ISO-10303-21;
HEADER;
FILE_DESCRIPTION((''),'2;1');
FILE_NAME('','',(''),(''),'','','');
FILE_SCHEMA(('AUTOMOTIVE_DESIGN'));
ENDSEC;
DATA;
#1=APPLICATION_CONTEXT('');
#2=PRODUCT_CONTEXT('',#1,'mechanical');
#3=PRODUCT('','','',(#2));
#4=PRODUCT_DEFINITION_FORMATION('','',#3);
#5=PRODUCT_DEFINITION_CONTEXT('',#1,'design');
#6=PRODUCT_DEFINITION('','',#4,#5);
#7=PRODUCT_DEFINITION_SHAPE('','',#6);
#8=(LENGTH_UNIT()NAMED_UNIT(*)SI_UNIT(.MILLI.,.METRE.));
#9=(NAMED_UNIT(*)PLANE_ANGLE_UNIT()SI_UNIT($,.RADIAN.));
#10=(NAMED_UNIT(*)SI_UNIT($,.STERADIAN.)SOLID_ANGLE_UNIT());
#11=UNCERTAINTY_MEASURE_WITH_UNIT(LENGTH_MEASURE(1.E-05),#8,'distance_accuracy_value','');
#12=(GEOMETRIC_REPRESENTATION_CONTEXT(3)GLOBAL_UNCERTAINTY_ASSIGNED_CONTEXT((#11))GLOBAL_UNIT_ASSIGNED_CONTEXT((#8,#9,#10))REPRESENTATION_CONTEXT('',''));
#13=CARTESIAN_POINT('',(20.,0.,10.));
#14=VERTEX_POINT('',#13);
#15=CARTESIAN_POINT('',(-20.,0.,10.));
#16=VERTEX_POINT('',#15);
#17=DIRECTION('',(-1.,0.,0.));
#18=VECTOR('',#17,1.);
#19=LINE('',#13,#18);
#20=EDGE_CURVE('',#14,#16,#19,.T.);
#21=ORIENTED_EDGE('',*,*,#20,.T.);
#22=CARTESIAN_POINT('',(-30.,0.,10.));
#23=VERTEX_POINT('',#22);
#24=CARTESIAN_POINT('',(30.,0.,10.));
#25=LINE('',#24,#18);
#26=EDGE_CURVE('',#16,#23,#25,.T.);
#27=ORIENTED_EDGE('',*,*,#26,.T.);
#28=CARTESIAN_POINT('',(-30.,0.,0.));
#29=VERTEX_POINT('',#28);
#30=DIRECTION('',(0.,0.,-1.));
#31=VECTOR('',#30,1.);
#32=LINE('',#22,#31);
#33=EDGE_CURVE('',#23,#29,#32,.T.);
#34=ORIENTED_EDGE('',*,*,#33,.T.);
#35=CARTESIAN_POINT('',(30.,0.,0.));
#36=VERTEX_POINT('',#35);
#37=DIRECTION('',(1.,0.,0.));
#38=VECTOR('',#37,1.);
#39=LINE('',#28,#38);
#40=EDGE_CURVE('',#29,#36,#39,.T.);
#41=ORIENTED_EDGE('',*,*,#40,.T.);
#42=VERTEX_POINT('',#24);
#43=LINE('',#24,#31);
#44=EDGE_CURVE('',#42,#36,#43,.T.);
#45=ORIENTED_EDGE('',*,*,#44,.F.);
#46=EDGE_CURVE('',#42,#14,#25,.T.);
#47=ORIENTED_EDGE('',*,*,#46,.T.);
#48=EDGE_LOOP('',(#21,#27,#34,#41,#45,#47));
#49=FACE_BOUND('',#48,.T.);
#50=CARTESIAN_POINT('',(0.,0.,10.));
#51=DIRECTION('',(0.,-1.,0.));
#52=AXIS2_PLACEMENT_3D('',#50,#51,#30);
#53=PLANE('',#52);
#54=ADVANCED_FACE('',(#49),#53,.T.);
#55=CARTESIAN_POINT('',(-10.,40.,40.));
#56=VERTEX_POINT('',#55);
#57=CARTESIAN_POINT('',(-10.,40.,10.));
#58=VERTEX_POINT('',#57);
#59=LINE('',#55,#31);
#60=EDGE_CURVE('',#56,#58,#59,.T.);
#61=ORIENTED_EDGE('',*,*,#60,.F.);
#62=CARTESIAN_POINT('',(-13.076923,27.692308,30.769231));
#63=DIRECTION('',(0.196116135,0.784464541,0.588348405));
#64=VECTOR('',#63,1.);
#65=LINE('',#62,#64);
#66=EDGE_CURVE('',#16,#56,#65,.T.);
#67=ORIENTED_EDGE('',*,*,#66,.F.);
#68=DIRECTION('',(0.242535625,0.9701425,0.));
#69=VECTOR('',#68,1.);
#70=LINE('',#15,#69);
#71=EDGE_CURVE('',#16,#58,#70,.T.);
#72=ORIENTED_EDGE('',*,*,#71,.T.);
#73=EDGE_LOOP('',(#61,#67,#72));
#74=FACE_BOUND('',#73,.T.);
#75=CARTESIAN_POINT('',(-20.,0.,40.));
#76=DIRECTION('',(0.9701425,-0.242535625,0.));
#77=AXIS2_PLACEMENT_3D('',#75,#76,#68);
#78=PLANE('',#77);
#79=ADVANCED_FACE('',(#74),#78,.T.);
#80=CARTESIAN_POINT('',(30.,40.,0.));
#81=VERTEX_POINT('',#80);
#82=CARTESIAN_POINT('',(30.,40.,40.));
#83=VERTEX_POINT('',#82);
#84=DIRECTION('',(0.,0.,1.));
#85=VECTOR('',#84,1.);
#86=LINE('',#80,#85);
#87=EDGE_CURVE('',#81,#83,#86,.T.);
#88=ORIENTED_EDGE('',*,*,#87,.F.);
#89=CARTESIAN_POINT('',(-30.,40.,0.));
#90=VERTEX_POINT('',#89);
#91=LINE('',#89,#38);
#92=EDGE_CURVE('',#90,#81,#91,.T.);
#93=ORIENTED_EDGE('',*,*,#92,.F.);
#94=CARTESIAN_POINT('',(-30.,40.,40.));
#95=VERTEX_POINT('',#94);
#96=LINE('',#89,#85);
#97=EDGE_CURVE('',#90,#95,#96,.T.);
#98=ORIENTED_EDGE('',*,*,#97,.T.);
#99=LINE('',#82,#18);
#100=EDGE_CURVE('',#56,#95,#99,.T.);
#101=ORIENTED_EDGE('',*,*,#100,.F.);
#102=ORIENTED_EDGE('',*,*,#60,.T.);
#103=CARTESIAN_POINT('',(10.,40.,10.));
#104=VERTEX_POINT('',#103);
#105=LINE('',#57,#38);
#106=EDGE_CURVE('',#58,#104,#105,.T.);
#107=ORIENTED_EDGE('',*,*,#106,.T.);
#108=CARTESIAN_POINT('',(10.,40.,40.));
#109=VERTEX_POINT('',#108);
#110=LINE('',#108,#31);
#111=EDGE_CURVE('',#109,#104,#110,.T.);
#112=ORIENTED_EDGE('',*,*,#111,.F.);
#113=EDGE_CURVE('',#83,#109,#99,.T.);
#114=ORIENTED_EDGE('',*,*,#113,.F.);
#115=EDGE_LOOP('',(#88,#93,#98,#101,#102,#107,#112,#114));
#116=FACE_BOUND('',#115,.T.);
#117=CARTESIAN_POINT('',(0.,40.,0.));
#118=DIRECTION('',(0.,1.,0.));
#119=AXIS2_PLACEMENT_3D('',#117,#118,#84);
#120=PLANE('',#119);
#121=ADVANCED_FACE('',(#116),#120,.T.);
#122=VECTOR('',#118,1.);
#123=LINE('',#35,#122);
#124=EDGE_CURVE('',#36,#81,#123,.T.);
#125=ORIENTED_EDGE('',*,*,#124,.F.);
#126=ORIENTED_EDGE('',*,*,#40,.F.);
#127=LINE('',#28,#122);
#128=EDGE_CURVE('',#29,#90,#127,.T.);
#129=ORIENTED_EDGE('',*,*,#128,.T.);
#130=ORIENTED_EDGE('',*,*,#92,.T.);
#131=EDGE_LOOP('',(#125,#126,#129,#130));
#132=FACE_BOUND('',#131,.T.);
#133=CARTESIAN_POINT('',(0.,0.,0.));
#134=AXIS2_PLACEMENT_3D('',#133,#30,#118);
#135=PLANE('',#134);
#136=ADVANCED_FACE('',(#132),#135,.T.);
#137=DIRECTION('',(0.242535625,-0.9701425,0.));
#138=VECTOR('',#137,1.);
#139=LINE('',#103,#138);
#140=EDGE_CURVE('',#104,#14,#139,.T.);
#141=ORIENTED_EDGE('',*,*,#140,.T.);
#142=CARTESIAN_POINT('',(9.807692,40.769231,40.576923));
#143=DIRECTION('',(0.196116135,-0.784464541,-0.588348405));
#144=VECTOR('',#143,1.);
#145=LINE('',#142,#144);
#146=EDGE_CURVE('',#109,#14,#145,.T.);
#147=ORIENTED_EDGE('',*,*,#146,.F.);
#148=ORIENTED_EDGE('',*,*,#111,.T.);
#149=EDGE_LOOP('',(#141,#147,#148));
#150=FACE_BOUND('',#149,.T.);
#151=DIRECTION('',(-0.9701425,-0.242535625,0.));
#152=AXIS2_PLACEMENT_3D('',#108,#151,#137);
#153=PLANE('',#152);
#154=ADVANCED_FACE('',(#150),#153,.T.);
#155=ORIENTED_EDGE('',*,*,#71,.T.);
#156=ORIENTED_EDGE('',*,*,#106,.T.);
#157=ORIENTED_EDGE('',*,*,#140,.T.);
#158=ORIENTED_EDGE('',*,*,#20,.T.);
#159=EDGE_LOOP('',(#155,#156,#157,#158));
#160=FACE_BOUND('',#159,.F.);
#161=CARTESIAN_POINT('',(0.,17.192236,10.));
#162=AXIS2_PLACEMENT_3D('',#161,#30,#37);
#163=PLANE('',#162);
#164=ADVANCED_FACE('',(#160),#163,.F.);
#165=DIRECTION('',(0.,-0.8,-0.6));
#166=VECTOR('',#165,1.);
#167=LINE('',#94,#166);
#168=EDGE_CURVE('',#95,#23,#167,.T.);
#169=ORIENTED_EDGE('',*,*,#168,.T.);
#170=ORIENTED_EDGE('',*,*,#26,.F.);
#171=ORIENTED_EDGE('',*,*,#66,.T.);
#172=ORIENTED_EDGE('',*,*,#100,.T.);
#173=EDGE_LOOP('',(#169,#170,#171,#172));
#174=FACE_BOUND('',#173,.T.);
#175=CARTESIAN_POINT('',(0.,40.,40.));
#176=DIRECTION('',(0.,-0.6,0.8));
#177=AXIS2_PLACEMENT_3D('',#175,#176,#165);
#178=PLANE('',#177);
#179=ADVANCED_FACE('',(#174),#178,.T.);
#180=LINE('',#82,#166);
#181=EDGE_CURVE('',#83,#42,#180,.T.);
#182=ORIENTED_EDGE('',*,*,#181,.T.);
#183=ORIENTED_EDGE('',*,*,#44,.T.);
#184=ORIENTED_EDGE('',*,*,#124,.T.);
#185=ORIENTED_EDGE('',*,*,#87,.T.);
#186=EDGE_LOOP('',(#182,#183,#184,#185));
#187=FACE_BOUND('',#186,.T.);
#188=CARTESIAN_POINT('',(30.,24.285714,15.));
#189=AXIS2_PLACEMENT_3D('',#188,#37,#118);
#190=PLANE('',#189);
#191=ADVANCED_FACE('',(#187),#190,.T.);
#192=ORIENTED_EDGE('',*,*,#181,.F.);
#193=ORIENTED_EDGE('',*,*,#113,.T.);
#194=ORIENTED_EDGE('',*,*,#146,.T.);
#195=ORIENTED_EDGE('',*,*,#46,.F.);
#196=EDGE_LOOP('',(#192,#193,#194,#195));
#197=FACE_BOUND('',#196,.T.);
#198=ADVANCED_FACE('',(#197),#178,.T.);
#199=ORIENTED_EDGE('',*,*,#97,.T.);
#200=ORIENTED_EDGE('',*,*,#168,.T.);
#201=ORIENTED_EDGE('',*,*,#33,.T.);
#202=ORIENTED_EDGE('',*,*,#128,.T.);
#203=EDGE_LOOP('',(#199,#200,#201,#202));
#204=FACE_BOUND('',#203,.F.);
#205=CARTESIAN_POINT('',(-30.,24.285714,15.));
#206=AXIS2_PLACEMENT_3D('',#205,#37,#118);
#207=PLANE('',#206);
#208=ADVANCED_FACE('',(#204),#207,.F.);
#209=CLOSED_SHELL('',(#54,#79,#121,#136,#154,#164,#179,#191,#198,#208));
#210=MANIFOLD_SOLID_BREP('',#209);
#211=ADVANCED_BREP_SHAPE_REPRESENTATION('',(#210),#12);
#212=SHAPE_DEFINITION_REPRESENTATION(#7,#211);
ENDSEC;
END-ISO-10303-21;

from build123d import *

# Parameters (mm, degrees)
F1_DEPTH = 30
F4_DEPTH = 30


with BuildPart() as f1:
    # F0 (on Right) → F1 (new body, symmetric)
    with BuildSketch(Plane.YZ):
        Polygon((0, 10), (0, 0), (40, 0), (40, 40), align=None)
    extrude(amount=F1_DEPTH, both=True)

    # F3 (on face) → F4 (cut)
    with BuildSketch(Plane(origin=(0, 0, 40), x_dir=(1, 0, 0), z_dir=(0, 0, -1))):
        Polygon((-20, 0), (-10, -40), (10, -40), (20, 0), align=None)
    extrude(amount=F4_DEPTH, mode=Mode.SUBTRACT)


solid = f1.part
